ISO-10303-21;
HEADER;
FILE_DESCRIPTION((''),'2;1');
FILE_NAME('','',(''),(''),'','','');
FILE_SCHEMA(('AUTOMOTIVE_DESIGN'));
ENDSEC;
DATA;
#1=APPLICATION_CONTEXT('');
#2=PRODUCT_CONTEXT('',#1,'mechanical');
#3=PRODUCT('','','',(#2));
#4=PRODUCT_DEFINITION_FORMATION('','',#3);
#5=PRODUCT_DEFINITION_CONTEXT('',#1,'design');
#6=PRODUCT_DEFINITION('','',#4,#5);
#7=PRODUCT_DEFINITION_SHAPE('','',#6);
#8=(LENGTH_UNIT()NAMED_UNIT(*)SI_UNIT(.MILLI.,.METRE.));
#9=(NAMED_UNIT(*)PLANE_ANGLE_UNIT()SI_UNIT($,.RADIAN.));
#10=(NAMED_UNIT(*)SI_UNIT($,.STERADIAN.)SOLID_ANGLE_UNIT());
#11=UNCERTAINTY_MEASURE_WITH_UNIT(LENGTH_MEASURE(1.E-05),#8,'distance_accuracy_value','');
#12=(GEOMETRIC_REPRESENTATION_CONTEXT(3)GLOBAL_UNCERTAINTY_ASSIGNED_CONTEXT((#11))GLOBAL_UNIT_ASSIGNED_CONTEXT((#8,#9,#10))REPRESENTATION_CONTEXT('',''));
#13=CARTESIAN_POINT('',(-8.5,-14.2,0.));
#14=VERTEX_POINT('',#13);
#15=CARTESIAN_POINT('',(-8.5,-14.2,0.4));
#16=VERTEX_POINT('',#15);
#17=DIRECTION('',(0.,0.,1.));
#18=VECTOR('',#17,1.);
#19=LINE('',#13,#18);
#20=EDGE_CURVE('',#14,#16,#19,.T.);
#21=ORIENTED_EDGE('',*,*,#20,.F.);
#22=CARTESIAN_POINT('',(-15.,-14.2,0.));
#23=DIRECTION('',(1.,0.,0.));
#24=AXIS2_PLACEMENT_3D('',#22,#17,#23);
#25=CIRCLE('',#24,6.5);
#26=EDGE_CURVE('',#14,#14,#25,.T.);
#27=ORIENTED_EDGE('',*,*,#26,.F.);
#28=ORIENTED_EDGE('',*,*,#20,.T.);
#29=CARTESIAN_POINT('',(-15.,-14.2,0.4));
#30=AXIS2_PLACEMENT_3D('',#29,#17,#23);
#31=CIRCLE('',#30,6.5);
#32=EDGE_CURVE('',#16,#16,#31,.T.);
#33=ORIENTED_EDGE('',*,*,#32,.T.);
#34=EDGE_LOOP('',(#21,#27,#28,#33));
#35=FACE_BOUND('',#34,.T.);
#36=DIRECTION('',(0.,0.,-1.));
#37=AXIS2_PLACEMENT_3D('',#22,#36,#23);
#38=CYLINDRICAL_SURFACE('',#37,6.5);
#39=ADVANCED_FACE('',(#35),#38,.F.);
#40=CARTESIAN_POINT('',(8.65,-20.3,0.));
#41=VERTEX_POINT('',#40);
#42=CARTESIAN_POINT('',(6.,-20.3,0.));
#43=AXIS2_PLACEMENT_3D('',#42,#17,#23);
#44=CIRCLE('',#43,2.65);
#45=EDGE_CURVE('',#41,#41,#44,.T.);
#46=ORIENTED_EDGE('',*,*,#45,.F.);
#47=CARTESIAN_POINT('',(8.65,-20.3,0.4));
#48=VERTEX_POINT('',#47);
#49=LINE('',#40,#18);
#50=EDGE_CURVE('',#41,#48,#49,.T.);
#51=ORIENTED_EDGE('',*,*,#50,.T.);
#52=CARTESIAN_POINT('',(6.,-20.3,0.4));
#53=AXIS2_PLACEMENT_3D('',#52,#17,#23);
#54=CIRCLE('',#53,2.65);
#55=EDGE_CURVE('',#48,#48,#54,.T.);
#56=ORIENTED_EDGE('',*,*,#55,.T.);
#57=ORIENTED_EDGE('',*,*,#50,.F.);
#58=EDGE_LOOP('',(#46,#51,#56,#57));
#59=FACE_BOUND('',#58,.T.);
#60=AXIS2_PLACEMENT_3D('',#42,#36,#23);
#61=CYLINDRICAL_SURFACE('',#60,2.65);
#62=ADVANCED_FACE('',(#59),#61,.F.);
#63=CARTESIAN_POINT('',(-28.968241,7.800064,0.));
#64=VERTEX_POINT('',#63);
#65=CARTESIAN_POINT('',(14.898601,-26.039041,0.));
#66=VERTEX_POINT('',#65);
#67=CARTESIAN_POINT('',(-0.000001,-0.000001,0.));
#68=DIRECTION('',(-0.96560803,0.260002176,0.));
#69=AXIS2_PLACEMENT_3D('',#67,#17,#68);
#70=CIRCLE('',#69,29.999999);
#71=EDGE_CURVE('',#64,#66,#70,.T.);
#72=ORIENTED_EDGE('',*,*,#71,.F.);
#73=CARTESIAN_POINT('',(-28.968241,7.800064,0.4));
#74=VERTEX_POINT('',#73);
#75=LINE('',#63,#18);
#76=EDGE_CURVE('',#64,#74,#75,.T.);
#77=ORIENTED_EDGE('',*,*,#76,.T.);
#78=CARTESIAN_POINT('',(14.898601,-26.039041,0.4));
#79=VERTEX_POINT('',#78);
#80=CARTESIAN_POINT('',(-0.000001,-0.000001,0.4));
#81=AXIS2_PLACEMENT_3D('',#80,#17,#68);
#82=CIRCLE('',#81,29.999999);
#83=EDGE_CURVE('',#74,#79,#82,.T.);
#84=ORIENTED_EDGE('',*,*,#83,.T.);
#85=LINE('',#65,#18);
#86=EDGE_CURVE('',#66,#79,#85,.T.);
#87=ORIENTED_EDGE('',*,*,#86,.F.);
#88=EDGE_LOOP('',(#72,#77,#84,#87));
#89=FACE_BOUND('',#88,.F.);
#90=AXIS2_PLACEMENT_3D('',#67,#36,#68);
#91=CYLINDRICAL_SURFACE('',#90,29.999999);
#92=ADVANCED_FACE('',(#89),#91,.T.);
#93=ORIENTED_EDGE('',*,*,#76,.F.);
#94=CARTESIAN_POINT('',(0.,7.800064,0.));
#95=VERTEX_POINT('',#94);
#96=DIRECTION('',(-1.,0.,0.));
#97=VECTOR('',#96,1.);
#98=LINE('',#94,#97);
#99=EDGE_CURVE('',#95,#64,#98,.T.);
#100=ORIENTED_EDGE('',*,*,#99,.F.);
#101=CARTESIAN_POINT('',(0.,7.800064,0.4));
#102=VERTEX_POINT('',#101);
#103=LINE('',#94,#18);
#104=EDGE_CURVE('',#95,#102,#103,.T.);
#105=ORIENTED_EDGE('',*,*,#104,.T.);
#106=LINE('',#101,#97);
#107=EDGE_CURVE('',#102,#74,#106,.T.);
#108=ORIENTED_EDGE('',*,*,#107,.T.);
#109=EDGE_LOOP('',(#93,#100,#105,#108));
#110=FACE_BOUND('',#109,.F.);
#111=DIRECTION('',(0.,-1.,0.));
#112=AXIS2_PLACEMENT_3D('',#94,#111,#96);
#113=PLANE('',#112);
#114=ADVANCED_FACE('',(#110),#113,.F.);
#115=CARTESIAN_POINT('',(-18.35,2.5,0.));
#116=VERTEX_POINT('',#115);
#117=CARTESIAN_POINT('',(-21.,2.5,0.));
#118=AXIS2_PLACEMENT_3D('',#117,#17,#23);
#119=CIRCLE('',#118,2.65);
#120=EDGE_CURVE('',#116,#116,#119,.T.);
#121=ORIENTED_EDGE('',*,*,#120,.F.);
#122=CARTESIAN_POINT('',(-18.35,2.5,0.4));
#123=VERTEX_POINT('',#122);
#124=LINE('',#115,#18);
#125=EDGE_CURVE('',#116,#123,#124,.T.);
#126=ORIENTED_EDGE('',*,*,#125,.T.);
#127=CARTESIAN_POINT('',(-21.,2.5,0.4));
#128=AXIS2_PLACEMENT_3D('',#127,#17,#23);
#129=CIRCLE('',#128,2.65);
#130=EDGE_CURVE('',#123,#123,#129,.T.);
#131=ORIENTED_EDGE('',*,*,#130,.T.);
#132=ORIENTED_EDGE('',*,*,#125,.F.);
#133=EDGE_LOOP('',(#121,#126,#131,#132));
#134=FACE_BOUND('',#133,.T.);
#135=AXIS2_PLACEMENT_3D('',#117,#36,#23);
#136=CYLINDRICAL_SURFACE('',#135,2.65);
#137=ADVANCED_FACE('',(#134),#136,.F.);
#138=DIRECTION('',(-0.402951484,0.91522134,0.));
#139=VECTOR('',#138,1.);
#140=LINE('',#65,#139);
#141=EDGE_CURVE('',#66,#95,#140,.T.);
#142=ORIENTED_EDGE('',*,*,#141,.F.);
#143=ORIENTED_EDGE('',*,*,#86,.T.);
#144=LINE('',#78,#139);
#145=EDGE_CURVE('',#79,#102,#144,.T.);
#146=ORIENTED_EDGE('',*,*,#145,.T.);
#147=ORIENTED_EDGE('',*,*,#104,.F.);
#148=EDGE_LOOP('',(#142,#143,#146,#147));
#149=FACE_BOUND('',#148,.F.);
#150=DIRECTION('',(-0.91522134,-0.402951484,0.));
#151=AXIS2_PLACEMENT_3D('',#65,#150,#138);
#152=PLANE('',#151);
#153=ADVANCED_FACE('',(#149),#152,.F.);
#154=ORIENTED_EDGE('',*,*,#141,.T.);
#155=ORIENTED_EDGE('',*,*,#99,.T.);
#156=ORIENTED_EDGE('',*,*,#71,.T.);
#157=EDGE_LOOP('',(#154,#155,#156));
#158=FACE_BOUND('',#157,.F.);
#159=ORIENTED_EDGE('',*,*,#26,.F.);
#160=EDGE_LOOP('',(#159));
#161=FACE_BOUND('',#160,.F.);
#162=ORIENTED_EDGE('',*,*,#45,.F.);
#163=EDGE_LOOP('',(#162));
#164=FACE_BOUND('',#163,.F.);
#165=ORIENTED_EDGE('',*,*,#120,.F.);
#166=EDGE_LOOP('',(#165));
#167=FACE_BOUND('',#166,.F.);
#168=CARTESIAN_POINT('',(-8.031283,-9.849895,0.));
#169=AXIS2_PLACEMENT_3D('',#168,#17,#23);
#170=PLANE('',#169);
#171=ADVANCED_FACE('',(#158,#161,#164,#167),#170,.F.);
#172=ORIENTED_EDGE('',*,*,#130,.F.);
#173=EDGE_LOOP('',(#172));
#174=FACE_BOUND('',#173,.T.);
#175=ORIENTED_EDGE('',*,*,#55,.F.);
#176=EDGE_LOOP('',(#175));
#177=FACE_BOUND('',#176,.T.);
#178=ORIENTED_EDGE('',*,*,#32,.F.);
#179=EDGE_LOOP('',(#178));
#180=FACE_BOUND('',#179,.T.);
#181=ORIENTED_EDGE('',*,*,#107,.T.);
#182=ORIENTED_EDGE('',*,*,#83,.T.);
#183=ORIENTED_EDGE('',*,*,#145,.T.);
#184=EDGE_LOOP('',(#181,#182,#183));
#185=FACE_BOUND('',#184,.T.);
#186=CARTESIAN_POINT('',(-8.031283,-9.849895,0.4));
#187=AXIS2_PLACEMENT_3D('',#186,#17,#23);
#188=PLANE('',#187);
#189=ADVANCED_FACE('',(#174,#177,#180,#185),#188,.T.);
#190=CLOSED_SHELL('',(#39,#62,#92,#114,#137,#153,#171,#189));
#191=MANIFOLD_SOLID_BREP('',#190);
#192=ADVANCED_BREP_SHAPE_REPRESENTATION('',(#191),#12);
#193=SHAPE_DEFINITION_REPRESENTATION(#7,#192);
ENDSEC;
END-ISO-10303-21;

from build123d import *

# Parameters (mm, degrees)
F0_R     = 6.5
F0_R_2   = 2.65
F1_DEPTH = 0.4


with BuildPart() as f1:
    # F0 (on Top) → F1 (new body)
    with BuildSketch(Plane.XY):
        with BuildLine():
            Line((0, 7.800064), (-28.968241, 7.800064))
            ThreePointArc((-28.968241, 7.800064), (-18.323754, -23.753738), (14.898601, -26.039041))
            Line((14.898601, -26.039041), (0, 7.800064))
        make_face()
        with Locations((-15, -14.2)):
            Circle(F0_R, mode=Mode.SUBTRACT)
        with Locations((6, -20.3)):
            Circle(F0_R_2, mode=Mode.SUBTRACT)
        with Locations((-21, 2.5)):
            Circle(F0_R_2, mode=Mode.SUBTRACT)
    extrude(amount=F1_DEPTH)


solid = f1.part
